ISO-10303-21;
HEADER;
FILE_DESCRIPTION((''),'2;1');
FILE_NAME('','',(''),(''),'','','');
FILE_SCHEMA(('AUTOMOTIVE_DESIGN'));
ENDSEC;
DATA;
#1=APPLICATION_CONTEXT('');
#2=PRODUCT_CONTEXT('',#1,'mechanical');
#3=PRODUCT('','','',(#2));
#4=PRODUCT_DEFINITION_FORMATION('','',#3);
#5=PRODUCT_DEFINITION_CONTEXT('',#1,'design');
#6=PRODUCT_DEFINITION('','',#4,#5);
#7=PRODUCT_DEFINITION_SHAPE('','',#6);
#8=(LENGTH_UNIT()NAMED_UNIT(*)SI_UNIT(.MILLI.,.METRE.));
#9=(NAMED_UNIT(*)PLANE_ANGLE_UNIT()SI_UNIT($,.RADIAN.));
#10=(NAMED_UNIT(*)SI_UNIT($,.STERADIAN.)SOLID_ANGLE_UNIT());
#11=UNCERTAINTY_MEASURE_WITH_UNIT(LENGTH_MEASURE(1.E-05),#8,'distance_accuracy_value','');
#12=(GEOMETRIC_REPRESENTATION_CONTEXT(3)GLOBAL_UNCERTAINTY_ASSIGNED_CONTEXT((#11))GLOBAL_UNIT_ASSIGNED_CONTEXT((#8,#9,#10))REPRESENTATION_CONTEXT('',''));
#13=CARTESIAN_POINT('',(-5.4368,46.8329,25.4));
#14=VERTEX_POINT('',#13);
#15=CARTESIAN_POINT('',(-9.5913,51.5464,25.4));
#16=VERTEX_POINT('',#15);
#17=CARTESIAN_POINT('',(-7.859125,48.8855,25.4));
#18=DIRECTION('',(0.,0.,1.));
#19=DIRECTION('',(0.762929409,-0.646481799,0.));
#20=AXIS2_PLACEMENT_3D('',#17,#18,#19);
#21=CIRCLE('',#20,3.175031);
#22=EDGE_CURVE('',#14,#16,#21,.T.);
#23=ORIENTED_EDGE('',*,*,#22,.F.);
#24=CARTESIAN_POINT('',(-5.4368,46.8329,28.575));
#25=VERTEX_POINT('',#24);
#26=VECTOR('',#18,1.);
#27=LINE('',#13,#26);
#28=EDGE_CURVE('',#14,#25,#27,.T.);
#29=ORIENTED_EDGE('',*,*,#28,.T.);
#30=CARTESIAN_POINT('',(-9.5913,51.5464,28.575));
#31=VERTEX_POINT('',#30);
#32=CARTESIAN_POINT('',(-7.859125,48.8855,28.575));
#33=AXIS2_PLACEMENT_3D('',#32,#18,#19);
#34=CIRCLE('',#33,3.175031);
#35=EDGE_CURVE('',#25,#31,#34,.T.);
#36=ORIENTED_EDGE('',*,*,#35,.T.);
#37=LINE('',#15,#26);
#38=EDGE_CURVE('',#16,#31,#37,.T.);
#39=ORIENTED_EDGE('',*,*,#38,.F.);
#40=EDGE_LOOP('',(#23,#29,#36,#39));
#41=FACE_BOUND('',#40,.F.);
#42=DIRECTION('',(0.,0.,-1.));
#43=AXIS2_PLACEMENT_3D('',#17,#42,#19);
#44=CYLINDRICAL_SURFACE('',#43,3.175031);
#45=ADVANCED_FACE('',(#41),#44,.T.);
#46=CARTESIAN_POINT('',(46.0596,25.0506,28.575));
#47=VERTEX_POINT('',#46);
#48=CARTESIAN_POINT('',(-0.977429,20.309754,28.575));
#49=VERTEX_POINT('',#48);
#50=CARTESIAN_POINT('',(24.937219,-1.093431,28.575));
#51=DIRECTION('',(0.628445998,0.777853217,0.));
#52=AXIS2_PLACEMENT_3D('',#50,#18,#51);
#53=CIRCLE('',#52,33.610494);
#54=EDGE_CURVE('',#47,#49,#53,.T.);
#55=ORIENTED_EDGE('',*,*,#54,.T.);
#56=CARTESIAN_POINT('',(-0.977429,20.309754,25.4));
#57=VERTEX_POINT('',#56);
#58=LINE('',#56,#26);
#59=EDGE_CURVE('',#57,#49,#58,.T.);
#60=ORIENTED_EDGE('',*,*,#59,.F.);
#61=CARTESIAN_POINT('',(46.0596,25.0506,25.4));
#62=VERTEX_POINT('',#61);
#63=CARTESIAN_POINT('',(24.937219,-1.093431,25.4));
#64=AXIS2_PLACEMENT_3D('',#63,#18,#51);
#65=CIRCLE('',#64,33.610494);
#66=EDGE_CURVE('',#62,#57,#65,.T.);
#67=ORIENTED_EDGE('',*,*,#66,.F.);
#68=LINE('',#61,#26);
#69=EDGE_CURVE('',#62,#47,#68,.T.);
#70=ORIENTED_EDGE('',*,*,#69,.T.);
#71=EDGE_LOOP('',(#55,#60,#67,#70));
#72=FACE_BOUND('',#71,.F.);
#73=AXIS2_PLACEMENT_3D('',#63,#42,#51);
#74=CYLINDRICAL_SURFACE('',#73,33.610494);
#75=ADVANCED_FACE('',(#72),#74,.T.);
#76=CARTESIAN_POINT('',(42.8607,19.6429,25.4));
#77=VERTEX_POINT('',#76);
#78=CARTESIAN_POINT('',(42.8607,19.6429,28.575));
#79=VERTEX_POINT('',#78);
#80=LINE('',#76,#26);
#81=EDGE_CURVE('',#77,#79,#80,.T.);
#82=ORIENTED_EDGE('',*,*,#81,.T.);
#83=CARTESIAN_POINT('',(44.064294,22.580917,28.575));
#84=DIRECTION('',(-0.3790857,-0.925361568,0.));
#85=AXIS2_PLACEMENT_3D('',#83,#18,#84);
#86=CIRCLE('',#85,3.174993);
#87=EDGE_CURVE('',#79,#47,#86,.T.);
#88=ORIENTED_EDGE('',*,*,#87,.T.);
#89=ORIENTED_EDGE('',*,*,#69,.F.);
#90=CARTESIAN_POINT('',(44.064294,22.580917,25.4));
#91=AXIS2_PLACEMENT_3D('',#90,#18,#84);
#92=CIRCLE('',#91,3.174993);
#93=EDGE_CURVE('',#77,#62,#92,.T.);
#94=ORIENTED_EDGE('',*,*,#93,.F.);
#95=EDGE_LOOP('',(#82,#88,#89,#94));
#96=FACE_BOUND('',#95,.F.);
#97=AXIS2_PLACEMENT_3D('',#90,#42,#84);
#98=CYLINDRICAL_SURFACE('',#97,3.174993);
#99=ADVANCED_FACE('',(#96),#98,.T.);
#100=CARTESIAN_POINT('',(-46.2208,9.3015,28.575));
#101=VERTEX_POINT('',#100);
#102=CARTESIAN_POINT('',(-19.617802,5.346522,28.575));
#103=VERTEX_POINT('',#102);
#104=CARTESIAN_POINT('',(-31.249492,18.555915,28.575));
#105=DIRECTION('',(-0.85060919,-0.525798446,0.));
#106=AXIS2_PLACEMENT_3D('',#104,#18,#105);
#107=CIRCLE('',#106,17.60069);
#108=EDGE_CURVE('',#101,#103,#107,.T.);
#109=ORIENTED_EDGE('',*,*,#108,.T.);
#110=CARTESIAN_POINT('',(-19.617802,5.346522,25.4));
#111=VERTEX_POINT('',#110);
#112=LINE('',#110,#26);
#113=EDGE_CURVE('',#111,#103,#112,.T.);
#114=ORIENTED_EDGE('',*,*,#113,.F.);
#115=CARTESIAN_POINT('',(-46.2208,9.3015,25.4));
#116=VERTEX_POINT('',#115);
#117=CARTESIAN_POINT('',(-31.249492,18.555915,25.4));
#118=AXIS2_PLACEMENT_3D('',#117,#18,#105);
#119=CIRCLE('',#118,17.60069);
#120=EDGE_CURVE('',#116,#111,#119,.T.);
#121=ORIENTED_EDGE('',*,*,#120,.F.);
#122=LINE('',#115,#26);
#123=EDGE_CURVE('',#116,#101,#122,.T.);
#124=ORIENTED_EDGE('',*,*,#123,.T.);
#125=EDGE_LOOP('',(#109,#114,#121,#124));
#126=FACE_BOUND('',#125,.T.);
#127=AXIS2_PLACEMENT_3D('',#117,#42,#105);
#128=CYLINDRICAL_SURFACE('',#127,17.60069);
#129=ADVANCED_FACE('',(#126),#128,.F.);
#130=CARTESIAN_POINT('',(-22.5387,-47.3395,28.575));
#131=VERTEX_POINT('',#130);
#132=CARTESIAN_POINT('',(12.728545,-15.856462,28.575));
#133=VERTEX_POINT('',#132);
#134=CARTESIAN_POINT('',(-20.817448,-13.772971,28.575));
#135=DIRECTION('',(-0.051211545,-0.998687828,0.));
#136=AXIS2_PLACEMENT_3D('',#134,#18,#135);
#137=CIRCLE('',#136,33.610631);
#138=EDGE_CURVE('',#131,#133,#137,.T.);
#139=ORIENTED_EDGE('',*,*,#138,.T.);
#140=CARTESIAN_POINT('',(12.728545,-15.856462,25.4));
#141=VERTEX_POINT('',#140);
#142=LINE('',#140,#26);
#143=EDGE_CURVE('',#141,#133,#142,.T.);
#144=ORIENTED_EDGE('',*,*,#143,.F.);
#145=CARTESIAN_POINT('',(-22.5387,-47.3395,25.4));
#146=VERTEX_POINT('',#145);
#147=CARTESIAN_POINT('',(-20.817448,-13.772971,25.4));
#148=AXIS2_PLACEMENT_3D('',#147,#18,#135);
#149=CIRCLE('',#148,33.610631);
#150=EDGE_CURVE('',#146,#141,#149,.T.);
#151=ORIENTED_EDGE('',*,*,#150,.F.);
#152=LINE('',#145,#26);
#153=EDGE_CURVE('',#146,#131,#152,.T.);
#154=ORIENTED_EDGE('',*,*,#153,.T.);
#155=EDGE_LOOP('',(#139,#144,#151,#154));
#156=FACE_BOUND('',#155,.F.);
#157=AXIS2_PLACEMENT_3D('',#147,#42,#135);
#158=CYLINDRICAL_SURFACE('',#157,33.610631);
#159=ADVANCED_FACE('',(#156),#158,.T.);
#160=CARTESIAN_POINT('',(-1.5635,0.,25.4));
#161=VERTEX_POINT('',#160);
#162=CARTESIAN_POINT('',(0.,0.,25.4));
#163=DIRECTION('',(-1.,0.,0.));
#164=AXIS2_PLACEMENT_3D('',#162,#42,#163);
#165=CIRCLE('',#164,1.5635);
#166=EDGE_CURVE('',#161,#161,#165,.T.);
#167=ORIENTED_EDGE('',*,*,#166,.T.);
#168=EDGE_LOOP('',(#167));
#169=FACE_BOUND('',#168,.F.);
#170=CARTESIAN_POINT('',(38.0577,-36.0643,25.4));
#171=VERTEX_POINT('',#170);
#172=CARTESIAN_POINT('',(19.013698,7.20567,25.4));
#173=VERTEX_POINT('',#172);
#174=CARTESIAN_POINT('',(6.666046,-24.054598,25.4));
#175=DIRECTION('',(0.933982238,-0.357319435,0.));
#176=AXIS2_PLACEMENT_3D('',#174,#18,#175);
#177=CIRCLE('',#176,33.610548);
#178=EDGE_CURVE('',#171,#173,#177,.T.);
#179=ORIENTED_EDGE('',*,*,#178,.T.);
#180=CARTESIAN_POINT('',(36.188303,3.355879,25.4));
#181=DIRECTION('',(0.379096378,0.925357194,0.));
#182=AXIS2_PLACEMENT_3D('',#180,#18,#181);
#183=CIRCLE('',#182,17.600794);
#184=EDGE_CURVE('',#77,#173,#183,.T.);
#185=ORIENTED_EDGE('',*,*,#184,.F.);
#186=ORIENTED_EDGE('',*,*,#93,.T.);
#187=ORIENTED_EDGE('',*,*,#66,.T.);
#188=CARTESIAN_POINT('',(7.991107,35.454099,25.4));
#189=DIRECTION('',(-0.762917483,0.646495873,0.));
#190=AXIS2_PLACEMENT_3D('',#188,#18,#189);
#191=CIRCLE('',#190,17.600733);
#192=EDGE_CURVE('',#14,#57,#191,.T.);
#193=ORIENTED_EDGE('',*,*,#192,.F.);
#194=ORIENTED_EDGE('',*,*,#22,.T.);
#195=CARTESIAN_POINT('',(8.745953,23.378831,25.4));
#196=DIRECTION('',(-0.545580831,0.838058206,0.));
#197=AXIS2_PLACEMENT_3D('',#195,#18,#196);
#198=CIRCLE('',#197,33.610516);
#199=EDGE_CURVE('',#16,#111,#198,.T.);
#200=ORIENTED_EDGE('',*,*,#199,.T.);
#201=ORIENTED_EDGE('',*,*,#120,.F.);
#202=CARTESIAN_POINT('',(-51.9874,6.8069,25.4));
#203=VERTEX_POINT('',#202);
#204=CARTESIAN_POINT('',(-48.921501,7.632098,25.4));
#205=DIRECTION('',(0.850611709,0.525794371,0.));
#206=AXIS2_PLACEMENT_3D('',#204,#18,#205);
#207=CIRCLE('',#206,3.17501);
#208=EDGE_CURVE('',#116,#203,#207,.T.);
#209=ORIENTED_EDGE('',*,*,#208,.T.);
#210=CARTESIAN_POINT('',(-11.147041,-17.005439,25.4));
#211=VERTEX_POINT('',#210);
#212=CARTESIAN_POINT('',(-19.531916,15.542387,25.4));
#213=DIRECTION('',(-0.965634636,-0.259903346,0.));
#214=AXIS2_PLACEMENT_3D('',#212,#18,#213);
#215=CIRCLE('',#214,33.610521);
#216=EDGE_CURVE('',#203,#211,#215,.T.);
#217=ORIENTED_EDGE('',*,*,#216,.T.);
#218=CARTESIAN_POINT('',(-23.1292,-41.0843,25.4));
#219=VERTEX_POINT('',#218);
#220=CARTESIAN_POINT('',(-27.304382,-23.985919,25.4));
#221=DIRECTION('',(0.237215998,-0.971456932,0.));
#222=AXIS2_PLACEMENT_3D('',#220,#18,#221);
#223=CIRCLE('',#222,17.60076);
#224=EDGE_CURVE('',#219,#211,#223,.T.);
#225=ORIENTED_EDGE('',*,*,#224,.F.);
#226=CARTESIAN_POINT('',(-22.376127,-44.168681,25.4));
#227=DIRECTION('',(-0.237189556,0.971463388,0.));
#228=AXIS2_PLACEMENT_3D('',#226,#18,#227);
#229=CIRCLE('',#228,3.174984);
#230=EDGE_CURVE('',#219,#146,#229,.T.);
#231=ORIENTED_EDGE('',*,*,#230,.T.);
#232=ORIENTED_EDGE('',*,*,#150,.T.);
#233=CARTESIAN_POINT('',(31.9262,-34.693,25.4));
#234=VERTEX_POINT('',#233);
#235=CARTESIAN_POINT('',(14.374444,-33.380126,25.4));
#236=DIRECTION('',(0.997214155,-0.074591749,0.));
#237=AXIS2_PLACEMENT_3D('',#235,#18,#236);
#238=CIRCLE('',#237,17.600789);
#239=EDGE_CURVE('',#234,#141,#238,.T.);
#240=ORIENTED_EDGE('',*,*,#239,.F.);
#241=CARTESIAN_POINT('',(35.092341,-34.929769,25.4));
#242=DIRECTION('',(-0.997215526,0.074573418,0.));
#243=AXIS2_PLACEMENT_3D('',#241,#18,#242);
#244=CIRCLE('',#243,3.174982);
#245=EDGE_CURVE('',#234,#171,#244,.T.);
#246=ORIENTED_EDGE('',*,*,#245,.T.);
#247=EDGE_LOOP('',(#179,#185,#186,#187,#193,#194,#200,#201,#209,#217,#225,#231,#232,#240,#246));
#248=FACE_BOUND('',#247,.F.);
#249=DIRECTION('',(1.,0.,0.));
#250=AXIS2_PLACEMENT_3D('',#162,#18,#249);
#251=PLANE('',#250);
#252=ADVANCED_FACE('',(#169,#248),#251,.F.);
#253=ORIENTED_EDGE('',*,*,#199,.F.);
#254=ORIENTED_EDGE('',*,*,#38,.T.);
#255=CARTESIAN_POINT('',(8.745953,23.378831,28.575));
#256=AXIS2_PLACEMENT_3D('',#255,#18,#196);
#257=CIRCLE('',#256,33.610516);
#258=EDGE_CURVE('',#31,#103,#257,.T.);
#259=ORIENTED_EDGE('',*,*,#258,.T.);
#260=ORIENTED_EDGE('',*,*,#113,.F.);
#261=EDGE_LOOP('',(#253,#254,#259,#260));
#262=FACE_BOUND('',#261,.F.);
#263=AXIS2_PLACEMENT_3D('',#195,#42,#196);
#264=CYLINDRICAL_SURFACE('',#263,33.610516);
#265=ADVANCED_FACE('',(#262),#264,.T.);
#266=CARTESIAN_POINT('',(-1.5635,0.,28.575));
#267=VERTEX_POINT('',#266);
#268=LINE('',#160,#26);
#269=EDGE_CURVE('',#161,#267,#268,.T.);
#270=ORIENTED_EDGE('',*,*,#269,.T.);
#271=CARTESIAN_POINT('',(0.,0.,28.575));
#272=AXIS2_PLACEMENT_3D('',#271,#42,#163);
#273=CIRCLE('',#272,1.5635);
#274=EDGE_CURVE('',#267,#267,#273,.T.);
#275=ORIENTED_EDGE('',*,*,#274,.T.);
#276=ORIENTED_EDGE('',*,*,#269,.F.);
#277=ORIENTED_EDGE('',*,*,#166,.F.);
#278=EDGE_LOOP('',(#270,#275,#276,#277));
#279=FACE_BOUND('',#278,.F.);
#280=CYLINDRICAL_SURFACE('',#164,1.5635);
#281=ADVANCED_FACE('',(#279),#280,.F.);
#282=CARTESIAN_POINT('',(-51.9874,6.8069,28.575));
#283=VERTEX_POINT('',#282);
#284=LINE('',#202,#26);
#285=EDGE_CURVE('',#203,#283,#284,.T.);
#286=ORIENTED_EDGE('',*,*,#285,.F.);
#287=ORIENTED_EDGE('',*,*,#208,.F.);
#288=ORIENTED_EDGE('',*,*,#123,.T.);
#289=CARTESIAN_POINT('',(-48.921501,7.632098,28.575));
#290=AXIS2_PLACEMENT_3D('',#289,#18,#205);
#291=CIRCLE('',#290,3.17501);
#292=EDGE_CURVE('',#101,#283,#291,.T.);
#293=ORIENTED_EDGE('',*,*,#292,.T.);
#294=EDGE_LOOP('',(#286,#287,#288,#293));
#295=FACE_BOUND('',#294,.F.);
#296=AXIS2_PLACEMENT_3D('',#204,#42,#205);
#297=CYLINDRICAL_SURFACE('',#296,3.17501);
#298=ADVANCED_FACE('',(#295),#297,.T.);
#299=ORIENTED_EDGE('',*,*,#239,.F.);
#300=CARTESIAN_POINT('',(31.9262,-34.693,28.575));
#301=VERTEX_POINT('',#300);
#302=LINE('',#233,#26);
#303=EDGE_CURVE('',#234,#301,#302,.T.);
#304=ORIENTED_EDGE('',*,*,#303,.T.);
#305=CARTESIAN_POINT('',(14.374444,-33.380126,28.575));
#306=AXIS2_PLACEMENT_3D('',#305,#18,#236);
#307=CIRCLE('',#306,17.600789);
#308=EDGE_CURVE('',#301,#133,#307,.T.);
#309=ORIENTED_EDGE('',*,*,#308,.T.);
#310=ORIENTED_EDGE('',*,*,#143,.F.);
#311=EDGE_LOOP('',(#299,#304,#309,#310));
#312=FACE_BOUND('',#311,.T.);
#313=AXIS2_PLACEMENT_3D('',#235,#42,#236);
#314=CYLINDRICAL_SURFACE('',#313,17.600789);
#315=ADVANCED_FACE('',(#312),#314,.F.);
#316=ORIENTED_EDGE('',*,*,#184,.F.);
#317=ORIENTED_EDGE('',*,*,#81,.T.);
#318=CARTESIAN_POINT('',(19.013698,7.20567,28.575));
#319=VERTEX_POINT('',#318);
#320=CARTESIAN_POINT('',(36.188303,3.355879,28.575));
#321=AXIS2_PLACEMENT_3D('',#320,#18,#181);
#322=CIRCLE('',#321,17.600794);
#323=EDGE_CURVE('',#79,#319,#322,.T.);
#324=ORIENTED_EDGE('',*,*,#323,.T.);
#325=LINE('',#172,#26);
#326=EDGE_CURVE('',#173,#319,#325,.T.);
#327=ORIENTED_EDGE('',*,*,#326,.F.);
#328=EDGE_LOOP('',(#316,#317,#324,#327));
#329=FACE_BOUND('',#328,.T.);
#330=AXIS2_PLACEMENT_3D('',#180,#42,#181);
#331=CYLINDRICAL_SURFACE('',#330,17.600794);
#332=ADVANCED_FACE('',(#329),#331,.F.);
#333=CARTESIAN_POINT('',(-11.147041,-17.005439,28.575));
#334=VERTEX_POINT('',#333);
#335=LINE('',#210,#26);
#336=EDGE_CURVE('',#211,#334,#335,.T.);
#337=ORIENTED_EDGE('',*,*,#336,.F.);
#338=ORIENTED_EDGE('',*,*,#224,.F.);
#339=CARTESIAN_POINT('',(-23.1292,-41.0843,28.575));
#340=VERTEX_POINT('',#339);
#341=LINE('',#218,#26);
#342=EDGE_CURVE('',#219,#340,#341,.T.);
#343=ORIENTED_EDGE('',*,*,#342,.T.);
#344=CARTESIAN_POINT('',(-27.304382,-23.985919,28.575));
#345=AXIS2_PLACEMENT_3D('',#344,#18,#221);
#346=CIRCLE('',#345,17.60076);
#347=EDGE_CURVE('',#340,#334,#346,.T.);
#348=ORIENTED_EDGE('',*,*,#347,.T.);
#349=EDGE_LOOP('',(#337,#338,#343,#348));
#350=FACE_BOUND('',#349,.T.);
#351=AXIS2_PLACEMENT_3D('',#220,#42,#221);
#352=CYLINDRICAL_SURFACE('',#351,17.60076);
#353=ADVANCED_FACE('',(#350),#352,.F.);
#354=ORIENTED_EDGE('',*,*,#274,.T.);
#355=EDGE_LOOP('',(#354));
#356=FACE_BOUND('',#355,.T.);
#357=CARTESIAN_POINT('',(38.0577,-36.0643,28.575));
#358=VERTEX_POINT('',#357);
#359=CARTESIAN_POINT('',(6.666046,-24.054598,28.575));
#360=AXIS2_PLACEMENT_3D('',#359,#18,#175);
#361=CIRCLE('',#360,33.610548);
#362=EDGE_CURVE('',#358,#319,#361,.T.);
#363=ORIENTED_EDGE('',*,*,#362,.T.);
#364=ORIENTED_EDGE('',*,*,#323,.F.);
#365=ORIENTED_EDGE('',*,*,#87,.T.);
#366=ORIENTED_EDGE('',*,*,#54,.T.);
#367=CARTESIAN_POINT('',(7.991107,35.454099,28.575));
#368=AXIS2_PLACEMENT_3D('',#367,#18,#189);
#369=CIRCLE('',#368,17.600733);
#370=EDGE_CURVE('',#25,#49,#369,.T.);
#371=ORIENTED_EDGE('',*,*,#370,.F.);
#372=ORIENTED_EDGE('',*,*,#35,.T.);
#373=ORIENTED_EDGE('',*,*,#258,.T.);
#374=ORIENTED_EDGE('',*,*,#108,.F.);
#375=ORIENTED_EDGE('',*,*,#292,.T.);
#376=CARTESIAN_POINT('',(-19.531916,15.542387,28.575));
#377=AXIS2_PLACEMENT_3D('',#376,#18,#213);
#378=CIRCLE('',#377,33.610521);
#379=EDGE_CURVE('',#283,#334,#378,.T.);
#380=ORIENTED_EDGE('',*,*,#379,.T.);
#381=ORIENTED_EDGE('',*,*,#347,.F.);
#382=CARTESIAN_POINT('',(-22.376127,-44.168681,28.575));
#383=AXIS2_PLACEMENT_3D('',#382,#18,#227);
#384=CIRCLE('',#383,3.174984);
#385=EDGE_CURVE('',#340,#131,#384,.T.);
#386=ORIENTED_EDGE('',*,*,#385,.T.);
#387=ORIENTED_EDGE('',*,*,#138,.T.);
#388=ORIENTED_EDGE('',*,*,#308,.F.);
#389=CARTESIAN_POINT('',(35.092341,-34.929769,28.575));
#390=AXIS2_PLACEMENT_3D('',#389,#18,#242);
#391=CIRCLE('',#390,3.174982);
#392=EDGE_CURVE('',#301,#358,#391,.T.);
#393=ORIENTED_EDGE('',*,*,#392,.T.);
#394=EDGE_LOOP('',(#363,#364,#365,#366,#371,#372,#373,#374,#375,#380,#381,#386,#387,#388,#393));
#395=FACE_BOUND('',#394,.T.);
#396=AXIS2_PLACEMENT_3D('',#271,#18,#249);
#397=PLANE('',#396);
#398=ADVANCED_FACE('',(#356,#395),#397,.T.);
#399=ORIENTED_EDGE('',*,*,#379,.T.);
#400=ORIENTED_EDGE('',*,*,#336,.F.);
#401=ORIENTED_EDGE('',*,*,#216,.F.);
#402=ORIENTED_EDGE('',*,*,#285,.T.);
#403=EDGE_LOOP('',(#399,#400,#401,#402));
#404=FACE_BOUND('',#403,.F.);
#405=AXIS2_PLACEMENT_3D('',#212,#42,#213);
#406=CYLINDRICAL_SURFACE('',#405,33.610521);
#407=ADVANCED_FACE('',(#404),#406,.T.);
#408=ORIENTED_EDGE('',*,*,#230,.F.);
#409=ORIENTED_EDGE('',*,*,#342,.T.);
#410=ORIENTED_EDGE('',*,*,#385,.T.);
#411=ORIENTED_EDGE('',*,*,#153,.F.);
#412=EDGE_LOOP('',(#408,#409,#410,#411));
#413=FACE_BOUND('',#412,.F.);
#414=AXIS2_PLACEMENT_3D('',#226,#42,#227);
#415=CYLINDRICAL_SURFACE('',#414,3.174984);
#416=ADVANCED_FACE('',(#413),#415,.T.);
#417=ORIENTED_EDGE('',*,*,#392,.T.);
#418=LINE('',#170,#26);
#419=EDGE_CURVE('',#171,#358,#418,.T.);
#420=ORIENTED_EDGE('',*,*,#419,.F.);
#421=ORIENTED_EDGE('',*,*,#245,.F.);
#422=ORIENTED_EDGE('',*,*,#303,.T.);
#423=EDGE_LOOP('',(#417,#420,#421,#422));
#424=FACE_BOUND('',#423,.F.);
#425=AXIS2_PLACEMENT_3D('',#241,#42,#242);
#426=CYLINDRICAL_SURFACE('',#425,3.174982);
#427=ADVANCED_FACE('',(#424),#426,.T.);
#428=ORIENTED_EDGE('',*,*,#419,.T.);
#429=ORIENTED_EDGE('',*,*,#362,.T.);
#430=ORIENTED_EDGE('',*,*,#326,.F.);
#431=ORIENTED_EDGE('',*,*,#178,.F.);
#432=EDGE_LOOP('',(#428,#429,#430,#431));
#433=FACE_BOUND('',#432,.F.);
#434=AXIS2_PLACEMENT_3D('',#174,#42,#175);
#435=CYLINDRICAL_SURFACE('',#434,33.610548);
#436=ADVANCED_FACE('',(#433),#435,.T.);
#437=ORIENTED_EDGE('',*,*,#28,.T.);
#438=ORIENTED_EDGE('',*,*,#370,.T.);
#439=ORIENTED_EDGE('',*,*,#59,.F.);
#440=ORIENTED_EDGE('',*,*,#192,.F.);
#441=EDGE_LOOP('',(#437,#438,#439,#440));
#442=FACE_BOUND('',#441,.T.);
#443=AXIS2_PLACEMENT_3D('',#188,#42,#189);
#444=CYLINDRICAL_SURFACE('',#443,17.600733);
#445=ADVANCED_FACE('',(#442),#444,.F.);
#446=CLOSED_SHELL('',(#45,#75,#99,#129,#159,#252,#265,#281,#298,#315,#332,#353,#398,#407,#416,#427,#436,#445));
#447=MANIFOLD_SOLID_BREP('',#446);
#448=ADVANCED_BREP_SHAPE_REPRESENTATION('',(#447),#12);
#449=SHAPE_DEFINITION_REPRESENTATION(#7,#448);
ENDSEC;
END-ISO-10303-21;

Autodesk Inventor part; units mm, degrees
ref_plane "YZ Plane" through (0, 0, 0) normal (1, 0, 0) x (0, 1, 0)
ref_plane "XZ Plane" through (0, 0, 0) normal (0, 1, 0) x (-1, 0, 0)
ref_plane "Work Plane2" through (0, 0, 25.4) normal (0, 0, 1) x (1, 0, 0)
sketch "Sketch2" plane through (0, 0, 25.4) normal (0, 0, 1) x (1, 0, 0)
  arc A0 (46.0596, 25.0506) -> (-2.2984, 18.6014) centre (24.9372, -1.0935) ccw
  arc A1 (42.8607, 19.6429) -> (18.6627, 1.7307) centre (36.1883, 3.3559) ccw
  arc A2 (42.8607, 19.6429) -> (46.0596, 25.0506) centre (44.0643, 22.5809) ccw
  circle A3 centre (0, 0) radius 18.7428
  arc A4 (-9.5913, 51.5464) -> (-18.4012, 3.5622) centre (8.746, 23.3788) ccw
  arc A5 (-5.4368, 46.8329) -> (-9.5913, 51.5464) centre (-7.8591, 48.8855) ccw
  arc A6 (-5.4368, 46.8329) -> (4.1211, 18.2841) centre (7.9911, 35.4541) ccw
  circle A7 centre (0, 0) radius 18.7428
  arc A8 (-51.9874, 6.8069) -> (-9.0742, -16.3998) centre (-19.5319, 15.5424) ccw
  arc A9 (-46.2208, 9.3015) -> (-51.9874, 6.8069) centre (-48.9215, 7.6321) ccw
  arc A10 (-46.2208, 9.3015) -> (-16.1158, 9.5695) centre (-31.2495, 18.5559) ccw
  circle A11 centre (0, 0) radius 18.7428
  arc A12 (-22.5387, -47.3395) -> (12.7931, -13.6979) centre (-20.8174, -13.7731) ccw
  arc A13 (-23.1292, -41.0843) -> (-22.5387, -47.3395) centre (-22.3761, -44.1687) ccw
  arc A14 (-23.1292, -41.0843) -> (-14.0812, -12.3698) centre (-27.3044, -23.9859) ccw
  circle A15 centre (0, 0) radius 18.7428
  arc A16 (38.0577, -36.0643) -> (16.9807, 7.9341) centre (6.666, -24.0546) ccw
  arc A17 (31.9262, -34.693) -> (38.0577, -36.0643) centre (35.0923, -34.9298) ccw
  arc A18 (31.9262, -34.693) -> (7.4131, -17.2145) centre (14.3745, -33.3801) ccw
  circle A19 centre (0, 0) radius 18.7428
  point P0 (18.6202, 2.2848)
  point P1 (-0.9774, 20.3098)
  point P2 (-19.6178, 5.3465)
  point P3 (-11.1471, -17.0054)
  point P4 (-18.4012, 3.5622)
  point P5 (-9.0742, -16.3998)
  point P6 (-14.0812, -12.3698)
  point P7 (12.7931, -13.6979)
  point P8 (12.7285, -15.8565)
  point P9 (19.0137, 7.2056)
  dimension "d3" = 3.175
  dimension "d6" = 360
extrude "Extrusion3" add sketch "Sketch2" along normal blind 3.175
sketch "Sketch3" plane through (0, 0, 25.4) normal (0, 0, -1) x (-1, 0, 0)
  circle A0 centre (0, 0) radius 1.5635
  dimension "d12" = 3.127
extrude "Extrusion4" cut sketch "Sketch3" against normal through all
properties part number "fan"
